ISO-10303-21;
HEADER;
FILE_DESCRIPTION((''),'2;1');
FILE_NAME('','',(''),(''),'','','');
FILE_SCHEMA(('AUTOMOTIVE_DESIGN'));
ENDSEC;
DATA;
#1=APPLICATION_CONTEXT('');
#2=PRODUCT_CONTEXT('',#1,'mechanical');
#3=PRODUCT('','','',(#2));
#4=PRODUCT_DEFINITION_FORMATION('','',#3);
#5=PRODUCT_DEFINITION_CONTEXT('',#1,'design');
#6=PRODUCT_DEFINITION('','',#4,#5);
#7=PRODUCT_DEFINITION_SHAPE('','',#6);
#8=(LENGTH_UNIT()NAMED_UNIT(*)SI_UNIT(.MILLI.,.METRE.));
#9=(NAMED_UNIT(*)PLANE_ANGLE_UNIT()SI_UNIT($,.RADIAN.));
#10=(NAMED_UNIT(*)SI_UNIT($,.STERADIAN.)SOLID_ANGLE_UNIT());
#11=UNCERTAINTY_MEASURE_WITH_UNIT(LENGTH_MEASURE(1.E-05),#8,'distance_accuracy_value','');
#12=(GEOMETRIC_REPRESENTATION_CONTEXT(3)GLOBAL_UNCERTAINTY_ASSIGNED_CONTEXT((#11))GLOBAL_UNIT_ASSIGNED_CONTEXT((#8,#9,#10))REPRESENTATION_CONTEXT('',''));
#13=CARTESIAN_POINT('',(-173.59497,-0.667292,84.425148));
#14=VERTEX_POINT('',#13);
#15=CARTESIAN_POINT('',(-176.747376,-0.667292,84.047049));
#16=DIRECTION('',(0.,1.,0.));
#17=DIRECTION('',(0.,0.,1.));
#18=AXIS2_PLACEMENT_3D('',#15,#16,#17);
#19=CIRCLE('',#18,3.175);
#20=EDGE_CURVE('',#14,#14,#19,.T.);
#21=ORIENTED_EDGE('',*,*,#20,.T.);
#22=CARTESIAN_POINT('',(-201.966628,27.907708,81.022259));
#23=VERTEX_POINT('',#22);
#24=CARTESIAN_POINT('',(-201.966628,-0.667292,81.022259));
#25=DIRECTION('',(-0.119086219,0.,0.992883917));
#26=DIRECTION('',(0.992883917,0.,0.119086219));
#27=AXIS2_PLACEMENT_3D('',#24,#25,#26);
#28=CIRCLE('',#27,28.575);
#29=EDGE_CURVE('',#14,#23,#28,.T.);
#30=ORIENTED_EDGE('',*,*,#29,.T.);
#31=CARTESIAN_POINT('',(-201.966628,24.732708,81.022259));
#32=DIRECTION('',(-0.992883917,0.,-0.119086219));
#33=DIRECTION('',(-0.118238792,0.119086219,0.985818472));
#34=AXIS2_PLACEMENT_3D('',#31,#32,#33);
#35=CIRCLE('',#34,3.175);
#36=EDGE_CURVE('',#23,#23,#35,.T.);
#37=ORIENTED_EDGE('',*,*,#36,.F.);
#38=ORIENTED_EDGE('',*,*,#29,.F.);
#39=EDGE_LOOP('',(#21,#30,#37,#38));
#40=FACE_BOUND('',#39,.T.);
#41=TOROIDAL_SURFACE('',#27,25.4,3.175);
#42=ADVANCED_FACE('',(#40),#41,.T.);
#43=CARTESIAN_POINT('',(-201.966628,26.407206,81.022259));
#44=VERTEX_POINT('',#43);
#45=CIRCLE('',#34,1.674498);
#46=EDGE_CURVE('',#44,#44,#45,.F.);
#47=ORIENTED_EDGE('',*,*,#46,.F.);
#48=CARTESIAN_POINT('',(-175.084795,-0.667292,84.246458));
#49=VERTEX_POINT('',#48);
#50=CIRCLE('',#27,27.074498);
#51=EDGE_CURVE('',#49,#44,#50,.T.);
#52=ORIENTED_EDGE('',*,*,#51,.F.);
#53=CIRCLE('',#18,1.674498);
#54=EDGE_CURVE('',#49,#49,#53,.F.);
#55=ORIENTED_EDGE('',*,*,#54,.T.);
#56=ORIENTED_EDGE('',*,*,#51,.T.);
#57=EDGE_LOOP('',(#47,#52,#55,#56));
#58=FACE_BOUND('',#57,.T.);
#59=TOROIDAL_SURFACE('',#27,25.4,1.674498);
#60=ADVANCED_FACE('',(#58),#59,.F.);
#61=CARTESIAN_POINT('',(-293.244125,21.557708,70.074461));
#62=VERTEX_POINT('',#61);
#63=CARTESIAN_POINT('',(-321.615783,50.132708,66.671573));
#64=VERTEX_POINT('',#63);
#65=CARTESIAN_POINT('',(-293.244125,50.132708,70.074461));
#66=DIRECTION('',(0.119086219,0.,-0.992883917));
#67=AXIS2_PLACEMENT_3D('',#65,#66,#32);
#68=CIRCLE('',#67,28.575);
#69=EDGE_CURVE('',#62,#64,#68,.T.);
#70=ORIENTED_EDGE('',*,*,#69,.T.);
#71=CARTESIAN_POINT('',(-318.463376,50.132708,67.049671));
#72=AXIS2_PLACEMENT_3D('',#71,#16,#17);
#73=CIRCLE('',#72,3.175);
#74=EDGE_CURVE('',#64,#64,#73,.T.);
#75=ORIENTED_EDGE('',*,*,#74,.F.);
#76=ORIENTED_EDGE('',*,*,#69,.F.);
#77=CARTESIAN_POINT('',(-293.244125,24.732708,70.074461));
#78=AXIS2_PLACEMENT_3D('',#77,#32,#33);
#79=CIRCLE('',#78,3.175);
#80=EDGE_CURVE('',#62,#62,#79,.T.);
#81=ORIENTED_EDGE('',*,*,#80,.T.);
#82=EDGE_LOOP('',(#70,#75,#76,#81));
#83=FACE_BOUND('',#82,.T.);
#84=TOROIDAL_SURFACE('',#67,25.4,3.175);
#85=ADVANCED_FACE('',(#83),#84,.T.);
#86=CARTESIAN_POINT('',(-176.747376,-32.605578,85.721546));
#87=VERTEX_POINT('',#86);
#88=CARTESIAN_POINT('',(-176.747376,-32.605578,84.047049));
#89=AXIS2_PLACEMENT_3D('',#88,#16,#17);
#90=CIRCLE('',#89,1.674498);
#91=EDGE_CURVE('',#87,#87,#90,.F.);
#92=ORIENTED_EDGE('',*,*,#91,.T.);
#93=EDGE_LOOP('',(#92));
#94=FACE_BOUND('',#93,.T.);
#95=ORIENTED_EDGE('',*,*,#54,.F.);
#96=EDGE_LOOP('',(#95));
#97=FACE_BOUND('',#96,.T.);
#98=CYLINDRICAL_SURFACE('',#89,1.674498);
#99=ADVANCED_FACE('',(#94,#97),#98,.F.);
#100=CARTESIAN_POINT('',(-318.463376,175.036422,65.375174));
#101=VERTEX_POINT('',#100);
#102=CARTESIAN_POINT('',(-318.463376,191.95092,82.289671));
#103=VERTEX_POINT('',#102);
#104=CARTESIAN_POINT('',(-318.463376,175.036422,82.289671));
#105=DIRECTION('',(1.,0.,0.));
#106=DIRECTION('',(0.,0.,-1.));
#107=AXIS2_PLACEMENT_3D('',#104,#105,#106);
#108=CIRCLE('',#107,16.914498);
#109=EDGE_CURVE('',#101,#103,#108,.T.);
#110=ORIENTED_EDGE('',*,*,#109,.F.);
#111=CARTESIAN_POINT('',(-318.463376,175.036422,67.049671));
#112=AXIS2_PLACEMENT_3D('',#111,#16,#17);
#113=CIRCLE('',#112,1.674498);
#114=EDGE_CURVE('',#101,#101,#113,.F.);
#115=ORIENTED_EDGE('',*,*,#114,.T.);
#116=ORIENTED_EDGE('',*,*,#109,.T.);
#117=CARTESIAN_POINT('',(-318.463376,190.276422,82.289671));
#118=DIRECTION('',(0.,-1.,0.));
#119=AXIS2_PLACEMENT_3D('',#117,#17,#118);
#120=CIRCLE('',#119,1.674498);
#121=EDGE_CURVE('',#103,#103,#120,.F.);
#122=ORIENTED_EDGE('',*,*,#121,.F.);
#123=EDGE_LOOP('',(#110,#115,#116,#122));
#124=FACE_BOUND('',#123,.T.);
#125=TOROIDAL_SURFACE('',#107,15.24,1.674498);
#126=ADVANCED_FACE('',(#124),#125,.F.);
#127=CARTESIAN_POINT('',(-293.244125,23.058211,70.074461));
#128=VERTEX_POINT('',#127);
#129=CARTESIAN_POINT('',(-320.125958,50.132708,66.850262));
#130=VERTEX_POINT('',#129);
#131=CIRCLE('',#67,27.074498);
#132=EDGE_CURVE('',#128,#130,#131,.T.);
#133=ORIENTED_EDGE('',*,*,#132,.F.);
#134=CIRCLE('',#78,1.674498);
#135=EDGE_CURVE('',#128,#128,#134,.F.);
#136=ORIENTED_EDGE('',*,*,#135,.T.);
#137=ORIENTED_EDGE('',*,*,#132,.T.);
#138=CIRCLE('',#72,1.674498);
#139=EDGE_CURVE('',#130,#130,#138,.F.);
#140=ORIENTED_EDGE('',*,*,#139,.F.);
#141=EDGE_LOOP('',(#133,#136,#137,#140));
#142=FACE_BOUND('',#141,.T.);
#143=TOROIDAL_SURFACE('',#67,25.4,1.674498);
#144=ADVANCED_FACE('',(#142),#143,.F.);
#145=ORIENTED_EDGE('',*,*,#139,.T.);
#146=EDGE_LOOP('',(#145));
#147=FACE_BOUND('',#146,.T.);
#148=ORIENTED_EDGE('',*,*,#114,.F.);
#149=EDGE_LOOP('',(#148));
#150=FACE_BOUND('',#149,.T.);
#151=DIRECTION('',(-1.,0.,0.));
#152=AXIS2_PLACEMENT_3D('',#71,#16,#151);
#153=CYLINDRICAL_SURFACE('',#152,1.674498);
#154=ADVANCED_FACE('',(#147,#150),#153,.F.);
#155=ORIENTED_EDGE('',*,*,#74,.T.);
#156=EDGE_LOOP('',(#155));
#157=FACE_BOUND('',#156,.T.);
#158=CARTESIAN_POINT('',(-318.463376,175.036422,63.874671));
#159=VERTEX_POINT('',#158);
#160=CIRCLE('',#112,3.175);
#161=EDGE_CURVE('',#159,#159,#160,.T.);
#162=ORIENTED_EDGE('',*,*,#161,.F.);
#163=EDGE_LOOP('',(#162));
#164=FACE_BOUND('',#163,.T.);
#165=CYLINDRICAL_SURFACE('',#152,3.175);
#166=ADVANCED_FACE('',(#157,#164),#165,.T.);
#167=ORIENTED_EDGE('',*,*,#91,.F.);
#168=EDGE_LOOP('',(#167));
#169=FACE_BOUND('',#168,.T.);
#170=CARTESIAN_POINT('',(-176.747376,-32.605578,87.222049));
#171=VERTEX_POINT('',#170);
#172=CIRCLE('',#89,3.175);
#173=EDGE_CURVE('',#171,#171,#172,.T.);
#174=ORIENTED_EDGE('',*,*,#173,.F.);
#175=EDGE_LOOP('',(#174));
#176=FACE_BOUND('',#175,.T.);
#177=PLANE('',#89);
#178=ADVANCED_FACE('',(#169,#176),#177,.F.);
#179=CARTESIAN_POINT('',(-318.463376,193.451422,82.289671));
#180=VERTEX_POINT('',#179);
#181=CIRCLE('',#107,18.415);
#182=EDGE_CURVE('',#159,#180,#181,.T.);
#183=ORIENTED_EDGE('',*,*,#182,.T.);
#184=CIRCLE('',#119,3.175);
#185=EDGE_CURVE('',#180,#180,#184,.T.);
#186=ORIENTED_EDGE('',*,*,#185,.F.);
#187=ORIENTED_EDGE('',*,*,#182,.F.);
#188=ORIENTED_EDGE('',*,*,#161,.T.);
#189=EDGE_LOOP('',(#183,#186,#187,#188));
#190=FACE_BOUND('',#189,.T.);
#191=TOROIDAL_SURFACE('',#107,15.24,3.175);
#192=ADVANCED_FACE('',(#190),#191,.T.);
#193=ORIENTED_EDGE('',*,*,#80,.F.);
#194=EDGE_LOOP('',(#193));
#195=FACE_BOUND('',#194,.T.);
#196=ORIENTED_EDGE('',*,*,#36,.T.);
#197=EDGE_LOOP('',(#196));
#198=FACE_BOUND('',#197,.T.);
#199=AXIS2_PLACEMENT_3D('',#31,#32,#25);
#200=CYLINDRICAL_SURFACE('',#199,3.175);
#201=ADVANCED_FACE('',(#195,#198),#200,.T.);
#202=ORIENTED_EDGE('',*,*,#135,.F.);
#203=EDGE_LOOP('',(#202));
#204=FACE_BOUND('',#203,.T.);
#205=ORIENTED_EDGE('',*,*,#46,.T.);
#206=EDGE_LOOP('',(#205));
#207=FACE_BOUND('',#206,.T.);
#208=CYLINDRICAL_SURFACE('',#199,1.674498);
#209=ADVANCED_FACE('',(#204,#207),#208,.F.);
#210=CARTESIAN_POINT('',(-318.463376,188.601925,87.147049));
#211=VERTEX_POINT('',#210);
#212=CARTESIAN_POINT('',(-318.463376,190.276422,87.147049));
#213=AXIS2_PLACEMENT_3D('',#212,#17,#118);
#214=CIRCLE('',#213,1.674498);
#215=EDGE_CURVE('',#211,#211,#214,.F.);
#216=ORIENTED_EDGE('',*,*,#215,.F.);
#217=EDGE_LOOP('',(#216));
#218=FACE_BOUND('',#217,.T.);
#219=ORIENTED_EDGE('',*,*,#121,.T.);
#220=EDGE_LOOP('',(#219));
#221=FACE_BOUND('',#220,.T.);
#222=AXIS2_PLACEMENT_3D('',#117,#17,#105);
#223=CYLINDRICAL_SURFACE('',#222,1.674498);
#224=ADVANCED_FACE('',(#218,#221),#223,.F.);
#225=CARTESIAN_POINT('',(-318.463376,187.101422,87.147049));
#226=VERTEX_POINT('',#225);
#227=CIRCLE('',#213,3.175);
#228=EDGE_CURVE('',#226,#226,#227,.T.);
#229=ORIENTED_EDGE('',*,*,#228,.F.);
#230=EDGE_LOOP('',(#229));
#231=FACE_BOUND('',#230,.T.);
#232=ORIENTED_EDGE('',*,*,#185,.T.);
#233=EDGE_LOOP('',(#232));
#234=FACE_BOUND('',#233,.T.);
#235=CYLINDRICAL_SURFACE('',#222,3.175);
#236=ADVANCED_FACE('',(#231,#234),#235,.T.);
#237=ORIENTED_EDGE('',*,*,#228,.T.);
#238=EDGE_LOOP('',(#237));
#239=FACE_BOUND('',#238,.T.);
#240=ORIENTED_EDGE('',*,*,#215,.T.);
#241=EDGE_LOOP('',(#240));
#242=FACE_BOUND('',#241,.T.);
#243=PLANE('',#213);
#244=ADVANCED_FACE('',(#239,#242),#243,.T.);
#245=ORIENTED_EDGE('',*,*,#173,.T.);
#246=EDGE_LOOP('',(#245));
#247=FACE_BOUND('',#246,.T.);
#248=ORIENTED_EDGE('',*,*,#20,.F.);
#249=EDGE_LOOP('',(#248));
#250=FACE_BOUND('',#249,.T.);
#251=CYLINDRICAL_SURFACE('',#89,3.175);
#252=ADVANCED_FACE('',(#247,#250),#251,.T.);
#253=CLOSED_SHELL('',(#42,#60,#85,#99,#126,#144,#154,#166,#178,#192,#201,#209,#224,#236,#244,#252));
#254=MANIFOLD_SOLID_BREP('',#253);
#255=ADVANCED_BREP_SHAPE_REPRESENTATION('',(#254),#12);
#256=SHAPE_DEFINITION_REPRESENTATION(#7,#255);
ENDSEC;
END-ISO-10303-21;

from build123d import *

# Parameters (mm, degrees)
SKETCH1_R   = 3.175
SKETCH1_R_2 = 1.674497635


with BuildPart() as part:
    # Sweep1: sweep along a curve in space
    with BuildLine() as sweep1_path:
        Line((-318.46337649, 190.276422232, 87.147048854), (-318.46337649, 190.276422232, 82.289671471))
        ThreePointArc((-318.46337649, 175.036422232, 67.049671471), (-318.46337649, 185.812729577, 71.513364125), (-318.46337649, 190.276422232, 82.289671471))
        Line((-318.46337649, 175.036422232, 67.049671471), (-318.46337649, 50.132708358, 67.049671471))
        ThreePointArc((-318.46337649, 50.132708358, 67.049671471), (-311.076828746, 32.172196116, 67.93561194), (-293.244125002, 24.732708358, 70.074461437))
        Line((-201.966627979, 24.732708358, 81.022258887), (-293.244125002, 24.732708358, 70.074461437))
        ThreePointArc((-176.74737649, -0.667291642, 84.047048854), (-184.133924235, 17.2932206, 83.161108384), (-201.966627979, 24.732708358, 81.022258887))
        Line((-176.74737649, -32.605577768, 84.047048854), (-176.74737649, -0.667291642, 84.047048854))
    # Sketch1 → Sweep1 (sweep)
    with BuildSketch(Plane(origin=(-176.74737649, -32.605577768, 84.047048854), x_dir=(1, 0, 0), z_dir=(0, 1, 0))):
        Circle(SKETCH1_R)
        Circle(SKETCH1_R_2, mode=Mode.SUBTRACT)
    sweep(path=sweep1_path.line)


solid = part.part
